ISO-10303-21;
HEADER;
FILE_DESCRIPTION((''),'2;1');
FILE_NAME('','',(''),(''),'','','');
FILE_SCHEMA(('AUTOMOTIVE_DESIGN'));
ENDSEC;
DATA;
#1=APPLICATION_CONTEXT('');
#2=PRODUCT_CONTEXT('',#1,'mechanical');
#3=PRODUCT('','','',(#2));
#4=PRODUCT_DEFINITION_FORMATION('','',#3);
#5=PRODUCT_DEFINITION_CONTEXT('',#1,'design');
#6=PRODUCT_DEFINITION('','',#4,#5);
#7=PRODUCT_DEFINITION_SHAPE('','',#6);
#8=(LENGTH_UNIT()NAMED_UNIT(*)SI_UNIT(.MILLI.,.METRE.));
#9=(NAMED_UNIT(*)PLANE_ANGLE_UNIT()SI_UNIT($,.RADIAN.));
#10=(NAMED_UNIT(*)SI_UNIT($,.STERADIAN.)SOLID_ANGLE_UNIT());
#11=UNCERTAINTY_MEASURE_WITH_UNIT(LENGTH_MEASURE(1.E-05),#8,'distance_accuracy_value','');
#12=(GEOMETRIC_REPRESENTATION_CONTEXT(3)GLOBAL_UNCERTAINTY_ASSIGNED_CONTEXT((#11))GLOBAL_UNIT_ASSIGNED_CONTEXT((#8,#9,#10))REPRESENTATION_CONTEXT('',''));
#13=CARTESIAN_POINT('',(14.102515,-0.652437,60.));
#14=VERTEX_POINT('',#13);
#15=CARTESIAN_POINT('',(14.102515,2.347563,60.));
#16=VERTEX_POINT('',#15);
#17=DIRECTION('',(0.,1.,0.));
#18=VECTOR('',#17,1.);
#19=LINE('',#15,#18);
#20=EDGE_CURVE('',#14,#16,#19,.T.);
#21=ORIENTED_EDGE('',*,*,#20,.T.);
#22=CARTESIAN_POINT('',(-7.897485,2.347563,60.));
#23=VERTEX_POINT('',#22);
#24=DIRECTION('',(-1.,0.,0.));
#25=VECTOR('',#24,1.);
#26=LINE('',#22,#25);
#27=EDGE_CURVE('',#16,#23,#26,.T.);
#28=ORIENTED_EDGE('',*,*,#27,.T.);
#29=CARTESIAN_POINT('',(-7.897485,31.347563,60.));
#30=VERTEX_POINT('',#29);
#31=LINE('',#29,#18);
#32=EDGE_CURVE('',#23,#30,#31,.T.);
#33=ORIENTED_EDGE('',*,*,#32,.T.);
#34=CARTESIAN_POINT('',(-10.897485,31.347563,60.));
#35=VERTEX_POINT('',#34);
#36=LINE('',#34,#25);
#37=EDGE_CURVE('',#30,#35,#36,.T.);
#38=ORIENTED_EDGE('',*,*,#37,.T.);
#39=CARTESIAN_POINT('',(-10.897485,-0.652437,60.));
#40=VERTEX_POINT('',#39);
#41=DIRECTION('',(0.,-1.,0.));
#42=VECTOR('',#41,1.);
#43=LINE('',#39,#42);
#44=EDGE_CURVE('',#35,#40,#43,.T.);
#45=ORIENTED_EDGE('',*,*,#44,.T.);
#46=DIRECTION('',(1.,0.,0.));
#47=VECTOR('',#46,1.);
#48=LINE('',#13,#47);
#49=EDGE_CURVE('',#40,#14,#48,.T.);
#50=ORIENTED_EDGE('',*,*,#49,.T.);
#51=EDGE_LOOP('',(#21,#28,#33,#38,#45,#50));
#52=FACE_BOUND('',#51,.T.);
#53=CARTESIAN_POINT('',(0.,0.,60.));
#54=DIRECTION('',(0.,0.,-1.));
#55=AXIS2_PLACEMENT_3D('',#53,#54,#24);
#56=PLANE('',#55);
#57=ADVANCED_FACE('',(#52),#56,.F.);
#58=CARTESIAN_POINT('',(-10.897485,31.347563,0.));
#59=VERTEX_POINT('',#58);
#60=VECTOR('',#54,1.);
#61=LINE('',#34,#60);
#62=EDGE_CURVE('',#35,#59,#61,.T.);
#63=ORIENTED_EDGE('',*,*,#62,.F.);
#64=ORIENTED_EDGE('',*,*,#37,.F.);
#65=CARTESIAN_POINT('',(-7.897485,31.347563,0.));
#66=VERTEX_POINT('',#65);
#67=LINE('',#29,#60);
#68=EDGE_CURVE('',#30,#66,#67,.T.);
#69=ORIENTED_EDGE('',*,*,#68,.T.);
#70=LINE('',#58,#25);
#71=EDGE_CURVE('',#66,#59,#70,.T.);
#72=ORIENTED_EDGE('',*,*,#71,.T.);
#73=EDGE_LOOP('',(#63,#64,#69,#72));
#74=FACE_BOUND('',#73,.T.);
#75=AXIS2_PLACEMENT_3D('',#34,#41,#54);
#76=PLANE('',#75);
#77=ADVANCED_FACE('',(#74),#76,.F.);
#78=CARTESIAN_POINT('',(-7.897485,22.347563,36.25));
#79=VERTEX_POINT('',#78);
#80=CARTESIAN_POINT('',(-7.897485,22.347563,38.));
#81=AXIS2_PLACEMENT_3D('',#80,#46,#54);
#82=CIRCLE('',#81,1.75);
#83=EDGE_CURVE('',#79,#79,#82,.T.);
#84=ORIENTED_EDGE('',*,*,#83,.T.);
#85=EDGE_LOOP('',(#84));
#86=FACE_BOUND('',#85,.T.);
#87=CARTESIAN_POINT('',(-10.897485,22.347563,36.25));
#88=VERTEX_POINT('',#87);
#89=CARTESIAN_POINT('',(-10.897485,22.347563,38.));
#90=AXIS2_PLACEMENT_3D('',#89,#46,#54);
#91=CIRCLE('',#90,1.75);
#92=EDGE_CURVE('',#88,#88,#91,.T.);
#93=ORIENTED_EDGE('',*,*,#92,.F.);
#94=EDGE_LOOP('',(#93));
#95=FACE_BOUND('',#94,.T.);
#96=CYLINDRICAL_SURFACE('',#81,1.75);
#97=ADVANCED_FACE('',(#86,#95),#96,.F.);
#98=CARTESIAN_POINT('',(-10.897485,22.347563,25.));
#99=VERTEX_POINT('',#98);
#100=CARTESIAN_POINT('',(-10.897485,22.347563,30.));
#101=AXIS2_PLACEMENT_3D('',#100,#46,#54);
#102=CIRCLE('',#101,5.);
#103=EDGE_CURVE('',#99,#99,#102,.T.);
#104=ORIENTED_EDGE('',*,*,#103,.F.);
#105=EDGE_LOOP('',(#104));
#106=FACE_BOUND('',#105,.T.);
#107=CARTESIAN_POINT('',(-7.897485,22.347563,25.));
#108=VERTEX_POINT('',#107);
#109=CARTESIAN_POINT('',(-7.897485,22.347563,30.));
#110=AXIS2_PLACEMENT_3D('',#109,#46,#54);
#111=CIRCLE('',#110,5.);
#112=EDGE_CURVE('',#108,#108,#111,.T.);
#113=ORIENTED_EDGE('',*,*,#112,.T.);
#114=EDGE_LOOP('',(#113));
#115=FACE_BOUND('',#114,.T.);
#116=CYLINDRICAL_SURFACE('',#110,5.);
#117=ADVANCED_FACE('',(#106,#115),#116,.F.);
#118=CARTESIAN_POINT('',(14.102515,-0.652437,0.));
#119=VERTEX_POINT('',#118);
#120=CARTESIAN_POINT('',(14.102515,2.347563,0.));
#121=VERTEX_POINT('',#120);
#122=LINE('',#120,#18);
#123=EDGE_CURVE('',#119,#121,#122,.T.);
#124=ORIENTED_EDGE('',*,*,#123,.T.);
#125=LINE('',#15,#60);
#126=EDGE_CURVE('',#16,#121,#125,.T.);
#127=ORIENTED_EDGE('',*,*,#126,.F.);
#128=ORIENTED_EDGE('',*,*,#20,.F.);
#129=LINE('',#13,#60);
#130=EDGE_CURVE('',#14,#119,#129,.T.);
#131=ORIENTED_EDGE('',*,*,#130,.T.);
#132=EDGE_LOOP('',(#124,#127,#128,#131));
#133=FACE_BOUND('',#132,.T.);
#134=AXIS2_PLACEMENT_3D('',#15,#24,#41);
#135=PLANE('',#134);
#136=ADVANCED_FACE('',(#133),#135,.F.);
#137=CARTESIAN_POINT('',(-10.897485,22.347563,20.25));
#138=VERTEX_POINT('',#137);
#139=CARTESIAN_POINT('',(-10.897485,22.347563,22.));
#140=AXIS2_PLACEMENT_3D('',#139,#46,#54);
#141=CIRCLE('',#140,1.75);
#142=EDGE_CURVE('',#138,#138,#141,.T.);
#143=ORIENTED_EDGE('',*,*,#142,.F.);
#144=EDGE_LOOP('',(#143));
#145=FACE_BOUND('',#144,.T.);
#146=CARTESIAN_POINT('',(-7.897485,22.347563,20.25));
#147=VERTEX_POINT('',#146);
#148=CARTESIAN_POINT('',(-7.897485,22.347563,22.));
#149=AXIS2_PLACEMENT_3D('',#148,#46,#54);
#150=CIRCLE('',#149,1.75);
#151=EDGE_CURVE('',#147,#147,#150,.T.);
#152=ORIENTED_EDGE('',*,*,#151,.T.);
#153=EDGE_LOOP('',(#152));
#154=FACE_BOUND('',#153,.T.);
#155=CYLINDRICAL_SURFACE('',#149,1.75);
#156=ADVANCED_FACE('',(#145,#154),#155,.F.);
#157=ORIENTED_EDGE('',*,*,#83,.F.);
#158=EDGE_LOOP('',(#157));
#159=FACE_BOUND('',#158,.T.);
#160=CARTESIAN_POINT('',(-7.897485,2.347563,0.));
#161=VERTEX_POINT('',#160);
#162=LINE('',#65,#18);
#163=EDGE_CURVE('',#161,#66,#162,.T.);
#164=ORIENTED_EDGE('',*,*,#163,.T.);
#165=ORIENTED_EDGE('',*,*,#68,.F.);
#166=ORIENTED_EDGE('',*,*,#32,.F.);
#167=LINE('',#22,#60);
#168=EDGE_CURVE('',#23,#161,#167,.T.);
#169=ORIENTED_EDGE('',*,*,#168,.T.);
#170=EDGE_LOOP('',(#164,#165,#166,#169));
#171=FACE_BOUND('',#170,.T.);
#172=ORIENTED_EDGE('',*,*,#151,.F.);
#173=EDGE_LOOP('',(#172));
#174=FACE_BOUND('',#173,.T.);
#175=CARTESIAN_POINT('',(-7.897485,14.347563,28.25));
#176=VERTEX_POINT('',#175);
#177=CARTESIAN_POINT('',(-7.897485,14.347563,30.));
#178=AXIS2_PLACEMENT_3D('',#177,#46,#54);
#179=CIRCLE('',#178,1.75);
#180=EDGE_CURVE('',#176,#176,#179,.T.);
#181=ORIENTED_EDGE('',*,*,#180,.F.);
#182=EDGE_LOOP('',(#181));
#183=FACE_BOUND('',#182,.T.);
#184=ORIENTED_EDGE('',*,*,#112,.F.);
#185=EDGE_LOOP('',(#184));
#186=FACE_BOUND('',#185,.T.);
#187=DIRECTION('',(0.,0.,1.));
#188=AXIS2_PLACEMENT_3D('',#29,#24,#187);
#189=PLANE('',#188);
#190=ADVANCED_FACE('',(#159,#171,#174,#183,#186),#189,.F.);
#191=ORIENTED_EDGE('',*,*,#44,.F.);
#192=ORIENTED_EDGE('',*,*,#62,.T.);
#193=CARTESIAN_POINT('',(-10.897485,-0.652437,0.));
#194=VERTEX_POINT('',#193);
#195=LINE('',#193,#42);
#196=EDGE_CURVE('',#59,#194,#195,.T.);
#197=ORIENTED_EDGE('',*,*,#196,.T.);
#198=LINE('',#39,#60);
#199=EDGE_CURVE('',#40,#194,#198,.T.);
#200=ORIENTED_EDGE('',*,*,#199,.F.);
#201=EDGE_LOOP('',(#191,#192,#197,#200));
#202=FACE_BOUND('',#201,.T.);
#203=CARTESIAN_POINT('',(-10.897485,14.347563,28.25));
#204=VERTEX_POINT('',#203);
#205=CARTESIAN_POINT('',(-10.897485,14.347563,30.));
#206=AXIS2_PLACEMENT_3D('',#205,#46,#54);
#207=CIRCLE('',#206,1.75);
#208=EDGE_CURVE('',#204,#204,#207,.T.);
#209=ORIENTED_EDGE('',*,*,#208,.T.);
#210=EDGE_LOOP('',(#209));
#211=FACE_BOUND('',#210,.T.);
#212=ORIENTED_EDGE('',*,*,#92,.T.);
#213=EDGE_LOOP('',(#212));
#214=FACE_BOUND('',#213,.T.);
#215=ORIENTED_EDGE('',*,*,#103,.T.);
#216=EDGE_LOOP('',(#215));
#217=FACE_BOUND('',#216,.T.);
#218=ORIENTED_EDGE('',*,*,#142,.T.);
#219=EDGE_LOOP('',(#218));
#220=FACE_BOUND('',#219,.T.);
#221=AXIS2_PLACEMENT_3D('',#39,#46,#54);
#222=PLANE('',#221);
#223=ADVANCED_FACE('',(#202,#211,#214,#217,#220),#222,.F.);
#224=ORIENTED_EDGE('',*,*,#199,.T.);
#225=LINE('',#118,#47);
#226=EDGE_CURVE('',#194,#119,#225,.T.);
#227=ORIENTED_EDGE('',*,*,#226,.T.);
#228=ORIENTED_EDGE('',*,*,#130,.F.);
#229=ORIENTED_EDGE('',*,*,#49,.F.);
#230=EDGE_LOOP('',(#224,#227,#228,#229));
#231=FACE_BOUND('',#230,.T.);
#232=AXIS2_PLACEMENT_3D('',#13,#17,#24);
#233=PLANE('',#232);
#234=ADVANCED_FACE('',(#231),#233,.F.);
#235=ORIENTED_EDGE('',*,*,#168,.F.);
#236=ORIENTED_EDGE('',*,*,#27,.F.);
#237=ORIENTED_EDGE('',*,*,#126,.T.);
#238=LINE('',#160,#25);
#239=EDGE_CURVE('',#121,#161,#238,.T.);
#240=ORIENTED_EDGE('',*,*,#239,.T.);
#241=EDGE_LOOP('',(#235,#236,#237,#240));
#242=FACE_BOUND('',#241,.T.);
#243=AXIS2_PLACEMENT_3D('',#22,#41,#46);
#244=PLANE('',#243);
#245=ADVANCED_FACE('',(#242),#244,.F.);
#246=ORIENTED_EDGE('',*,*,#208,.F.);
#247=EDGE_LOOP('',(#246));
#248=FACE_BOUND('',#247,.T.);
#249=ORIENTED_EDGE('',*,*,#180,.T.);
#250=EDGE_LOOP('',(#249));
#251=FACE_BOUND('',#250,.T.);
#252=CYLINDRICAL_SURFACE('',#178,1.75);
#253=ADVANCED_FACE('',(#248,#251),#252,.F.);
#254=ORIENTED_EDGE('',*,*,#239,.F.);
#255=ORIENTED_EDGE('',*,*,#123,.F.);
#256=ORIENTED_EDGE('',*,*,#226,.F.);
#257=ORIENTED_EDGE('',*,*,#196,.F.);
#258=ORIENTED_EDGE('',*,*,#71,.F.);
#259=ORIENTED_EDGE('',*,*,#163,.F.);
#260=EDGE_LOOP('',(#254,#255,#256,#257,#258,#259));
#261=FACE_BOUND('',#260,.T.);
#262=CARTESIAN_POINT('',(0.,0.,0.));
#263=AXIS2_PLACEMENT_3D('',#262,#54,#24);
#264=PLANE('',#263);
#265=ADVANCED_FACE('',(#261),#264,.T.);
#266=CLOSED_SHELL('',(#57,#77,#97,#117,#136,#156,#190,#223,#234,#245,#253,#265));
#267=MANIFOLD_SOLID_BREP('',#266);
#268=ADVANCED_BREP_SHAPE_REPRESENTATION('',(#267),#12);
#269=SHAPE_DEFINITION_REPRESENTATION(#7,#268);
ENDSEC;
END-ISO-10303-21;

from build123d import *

# Parameters (mm, degrees)
BOSS_EXTRUDE1_DEPTH            = 60
HOLE_FOR_M5_300_SC_NUTS_SP_1_D = 10
HOLE_FOR_M5_300_SC_NUTS_SP_2_D = 3.5


with BuildPart() as part:
    # Sketch1 → Boss-Extrude1 (new body)
    with BuildSketch(Plane.XY):
        Polygon((-7.897485035, 31.347562808), (-7.897485035, 2.347562808), (14.102514965, 2.347562808), (14.102514965, -0.652437192), (-10.897485035, -0.652437192), (-10.897485035, 31.347562808), align=None)
    extrude(amount=BOSS_EXTRUDE1_DEPTH)

    # Hole for M5 300® SC Nuts (SP)1 (through all)
    with Locations(Plane(origin=(-7.897485035, 0, 0), x_dir=(0, 0, -1), z_dir=(1, 0, 0))):
        with Locations((-30, 22.347562808)):
            Hole(HOLE_FOR_M5_300_SC_NUTS_SP_1_D / 2)

    # Hole for M5 300® SC Nuts (SP)2 (through all)
    with Locations(Plane(origin=(-7.897485035, 0, 0), x_dir=(0, 0, -1), z_dir=(1, 0, 0))):
        with Locations((-22, 22.347562808), (-38, 22.347562808), (-30, 14.347562808)):
            Hole(HOLE_FOR_M5_300_SC_NUTS_SP_2_D / 2)


solid = part.part
